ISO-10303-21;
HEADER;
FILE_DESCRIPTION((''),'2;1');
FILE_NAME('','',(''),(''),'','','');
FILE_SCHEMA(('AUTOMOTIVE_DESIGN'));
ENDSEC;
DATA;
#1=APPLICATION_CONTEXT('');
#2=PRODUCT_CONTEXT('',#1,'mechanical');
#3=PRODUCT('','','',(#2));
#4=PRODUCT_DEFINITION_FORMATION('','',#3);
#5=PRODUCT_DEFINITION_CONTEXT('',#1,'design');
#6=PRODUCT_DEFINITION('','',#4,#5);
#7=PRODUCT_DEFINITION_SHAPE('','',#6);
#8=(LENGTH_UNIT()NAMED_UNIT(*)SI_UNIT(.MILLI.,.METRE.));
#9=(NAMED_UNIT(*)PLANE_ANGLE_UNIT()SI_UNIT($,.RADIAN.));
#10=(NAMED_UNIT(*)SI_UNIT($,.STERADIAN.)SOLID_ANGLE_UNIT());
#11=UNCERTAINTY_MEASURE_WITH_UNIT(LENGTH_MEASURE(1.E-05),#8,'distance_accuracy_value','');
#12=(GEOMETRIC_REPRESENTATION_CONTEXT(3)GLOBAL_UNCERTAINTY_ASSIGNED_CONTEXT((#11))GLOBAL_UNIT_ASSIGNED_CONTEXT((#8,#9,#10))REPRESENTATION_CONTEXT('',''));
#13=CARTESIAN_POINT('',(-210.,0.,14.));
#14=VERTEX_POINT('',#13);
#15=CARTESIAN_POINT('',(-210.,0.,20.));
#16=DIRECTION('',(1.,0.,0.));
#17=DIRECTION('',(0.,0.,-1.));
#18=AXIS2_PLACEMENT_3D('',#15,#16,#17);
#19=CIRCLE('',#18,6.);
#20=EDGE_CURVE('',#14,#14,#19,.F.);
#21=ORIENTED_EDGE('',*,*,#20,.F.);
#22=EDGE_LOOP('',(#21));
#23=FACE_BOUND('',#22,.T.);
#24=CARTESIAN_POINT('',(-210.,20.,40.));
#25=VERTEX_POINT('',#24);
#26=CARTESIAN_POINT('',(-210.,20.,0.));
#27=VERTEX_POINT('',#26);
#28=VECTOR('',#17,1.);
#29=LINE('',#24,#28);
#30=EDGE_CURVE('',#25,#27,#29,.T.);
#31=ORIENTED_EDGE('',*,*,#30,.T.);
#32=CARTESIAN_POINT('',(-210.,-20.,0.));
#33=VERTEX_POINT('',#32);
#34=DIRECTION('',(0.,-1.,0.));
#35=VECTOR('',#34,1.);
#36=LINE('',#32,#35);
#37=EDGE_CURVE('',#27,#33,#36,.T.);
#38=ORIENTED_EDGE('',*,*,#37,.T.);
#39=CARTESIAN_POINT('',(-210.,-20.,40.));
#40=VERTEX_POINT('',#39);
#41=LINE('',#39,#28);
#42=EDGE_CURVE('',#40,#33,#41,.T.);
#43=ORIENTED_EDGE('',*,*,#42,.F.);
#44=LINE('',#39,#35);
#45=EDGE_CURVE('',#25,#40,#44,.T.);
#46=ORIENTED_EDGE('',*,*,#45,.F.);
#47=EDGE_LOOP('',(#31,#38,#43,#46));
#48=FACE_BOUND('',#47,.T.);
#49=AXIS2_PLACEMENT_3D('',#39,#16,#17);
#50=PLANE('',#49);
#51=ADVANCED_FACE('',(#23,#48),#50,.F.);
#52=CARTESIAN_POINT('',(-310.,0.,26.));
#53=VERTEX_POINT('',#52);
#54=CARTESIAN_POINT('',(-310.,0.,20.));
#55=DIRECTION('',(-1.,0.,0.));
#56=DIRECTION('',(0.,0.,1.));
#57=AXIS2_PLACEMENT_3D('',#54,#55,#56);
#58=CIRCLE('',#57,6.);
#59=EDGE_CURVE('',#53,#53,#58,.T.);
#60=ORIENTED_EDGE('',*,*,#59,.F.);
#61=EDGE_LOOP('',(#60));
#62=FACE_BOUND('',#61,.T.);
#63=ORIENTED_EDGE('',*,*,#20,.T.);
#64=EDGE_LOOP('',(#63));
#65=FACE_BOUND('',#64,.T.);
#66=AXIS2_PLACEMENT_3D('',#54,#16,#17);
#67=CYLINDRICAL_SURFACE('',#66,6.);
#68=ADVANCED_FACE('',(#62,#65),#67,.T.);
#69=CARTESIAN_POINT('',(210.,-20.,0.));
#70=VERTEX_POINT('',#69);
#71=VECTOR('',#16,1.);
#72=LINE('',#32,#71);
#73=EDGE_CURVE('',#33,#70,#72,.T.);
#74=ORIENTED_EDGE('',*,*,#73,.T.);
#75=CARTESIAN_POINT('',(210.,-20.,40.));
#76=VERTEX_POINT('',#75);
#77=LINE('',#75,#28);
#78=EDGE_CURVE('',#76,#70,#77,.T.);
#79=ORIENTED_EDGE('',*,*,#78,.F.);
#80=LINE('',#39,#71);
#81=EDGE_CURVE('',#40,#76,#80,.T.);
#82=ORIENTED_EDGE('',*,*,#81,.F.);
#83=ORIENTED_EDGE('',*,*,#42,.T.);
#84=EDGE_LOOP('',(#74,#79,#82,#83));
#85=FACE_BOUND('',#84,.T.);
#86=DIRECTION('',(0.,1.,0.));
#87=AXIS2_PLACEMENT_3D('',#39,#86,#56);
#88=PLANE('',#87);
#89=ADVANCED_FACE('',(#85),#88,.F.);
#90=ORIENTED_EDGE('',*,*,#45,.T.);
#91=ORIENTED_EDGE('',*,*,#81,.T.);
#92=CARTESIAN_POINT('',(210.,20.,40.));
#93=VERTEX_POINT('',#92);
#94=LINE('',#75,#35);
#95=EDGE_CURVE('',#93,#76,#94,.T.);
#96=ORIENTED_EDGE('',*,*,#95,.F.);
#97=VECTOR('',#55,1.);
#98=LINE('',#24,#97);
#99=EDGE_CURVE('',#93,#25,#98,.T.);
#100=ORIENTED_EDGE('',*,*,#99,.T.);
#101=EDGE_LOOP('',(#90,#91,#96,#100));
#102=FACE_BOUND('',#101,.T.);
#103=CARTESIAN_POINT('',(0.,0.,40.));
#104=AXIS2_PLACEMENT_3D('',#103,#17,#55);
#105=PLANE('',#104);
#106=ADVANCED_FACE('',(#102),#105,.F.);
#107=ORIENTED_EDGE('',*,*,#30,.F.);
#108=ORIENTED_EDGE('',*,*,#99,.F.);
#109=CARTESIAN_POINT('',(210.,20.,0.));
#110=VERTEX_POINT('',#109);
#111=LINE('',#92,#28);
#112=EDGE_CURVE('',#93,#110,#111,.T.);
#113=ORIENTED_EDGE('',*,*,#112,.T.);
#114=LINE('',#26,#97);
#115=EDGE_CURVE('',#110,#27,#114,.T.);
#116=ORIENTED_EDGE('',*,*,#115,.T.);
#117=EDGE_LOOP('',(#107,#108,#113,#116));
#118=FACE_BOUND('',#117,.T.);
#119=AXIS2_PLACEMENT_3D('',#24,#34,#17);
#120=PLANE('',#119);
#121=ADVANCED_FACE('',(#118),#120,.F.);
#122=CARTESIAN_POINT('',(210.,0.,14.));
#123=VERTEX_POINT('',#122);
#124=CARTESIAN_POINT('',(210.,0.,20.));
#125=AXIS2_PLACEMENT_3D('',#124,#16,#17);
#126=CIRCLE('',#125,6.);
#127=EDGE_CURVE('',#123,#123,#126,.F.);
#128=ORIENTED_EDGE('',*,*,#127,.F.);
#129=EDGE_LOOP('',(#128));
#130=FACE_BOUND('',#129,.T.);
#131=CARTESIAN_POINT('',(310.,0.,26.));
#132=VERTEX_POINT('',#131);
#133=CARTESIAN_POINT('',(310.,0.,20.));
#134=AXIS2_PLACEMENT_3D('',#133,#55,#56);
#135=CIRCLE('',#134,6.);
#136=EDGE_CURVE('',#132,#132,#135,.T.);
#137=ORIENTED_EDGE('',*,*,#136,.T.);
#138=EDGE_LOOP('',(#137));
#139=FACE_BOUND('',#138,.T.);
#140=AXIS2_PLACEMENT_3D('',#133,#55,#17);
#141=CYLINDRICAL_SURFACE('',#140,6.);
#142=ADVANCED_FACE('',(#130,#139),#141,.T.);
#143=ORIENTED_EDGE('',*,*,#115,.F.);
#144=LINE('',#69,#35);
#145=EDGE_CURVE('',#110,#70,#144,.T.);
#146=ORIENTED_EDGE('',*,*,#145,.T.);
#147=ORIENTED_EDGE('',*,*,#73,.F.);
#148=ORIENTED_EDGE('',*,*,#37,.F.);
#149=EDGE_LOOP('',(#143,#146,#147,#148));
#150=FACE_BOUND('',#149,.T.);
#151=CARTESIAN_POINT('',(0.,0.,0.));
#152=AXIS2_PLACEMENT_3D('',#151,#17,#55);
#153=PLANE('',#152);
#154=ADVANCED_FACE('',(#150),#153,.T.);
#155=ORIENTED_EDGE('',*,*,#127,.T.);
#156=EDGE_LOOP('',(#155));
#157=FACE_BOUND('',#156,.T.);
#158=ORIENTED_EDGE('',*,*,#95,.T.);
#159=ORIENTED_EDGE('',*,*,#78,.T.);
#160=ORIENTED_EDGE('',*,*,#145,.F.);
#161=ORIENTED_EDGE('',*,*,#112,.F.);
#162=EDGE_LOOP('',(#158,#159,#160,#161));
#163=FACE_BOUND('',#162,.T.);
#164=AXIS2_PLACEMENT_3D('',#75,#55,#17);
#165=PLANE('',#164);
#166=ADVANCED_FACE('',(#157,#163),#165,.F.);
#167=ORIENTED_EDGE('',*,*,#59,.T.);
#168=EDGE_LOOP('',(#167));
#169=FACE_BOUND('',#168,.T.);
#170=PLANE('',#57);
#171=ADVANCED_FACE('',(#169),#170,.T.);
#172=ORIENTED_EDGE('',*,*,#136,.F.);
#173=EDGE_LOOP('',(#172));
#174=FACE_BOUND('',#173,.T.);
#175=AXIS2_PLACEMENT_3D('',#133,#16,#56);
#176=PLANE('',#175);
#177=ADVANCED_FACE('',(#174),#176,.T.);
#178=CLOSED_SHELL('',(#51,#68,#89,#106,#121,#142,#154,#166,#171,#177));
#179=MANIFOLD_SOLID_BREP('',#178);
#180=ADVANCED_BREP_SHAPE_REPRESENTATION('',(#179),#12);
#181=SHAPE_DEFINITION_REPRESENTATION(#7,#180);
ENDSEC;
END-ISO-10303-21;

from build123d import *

# Parameters (mm, degrees)
SKETCH1_W           = 210
SKETCH1_H           = 40
BOSS_EXTRUDE1_DEPTH = 40
SKETCH2_R           = 6
BOSS_EXTRUDE2_DEPTH = 100


with BuildPart() as part:
    # Sketch1 → Boss-Extrude1 (new body)
    with BuildSketch(Plane.XY):
        with Locations((-105, 0)):
            Rectangle(SKETCH1_W, SKETCH1_H)
    extrude(amount=BOSS_EXTRUDE1_DEPTH)

    # Sketch2 → Boss-Extrude2 (add)
    with BuildSketch(Plane.ZY.offset(210)):
        with Locations((20, 0)):
            Circle(SKETCH2_R)
    extrude(amount=BOSS_EXTRUDE2_DEPTH)

    # Mirror1: part across plane


with BuildPart() as part_1:
    add(part.part)
    add(part.part.mirror(Plane(origin=(0, 20, 40), x_dir=(0, 0, 1), z_dir=(-1, 0, 0))))


solid = part_1.part
